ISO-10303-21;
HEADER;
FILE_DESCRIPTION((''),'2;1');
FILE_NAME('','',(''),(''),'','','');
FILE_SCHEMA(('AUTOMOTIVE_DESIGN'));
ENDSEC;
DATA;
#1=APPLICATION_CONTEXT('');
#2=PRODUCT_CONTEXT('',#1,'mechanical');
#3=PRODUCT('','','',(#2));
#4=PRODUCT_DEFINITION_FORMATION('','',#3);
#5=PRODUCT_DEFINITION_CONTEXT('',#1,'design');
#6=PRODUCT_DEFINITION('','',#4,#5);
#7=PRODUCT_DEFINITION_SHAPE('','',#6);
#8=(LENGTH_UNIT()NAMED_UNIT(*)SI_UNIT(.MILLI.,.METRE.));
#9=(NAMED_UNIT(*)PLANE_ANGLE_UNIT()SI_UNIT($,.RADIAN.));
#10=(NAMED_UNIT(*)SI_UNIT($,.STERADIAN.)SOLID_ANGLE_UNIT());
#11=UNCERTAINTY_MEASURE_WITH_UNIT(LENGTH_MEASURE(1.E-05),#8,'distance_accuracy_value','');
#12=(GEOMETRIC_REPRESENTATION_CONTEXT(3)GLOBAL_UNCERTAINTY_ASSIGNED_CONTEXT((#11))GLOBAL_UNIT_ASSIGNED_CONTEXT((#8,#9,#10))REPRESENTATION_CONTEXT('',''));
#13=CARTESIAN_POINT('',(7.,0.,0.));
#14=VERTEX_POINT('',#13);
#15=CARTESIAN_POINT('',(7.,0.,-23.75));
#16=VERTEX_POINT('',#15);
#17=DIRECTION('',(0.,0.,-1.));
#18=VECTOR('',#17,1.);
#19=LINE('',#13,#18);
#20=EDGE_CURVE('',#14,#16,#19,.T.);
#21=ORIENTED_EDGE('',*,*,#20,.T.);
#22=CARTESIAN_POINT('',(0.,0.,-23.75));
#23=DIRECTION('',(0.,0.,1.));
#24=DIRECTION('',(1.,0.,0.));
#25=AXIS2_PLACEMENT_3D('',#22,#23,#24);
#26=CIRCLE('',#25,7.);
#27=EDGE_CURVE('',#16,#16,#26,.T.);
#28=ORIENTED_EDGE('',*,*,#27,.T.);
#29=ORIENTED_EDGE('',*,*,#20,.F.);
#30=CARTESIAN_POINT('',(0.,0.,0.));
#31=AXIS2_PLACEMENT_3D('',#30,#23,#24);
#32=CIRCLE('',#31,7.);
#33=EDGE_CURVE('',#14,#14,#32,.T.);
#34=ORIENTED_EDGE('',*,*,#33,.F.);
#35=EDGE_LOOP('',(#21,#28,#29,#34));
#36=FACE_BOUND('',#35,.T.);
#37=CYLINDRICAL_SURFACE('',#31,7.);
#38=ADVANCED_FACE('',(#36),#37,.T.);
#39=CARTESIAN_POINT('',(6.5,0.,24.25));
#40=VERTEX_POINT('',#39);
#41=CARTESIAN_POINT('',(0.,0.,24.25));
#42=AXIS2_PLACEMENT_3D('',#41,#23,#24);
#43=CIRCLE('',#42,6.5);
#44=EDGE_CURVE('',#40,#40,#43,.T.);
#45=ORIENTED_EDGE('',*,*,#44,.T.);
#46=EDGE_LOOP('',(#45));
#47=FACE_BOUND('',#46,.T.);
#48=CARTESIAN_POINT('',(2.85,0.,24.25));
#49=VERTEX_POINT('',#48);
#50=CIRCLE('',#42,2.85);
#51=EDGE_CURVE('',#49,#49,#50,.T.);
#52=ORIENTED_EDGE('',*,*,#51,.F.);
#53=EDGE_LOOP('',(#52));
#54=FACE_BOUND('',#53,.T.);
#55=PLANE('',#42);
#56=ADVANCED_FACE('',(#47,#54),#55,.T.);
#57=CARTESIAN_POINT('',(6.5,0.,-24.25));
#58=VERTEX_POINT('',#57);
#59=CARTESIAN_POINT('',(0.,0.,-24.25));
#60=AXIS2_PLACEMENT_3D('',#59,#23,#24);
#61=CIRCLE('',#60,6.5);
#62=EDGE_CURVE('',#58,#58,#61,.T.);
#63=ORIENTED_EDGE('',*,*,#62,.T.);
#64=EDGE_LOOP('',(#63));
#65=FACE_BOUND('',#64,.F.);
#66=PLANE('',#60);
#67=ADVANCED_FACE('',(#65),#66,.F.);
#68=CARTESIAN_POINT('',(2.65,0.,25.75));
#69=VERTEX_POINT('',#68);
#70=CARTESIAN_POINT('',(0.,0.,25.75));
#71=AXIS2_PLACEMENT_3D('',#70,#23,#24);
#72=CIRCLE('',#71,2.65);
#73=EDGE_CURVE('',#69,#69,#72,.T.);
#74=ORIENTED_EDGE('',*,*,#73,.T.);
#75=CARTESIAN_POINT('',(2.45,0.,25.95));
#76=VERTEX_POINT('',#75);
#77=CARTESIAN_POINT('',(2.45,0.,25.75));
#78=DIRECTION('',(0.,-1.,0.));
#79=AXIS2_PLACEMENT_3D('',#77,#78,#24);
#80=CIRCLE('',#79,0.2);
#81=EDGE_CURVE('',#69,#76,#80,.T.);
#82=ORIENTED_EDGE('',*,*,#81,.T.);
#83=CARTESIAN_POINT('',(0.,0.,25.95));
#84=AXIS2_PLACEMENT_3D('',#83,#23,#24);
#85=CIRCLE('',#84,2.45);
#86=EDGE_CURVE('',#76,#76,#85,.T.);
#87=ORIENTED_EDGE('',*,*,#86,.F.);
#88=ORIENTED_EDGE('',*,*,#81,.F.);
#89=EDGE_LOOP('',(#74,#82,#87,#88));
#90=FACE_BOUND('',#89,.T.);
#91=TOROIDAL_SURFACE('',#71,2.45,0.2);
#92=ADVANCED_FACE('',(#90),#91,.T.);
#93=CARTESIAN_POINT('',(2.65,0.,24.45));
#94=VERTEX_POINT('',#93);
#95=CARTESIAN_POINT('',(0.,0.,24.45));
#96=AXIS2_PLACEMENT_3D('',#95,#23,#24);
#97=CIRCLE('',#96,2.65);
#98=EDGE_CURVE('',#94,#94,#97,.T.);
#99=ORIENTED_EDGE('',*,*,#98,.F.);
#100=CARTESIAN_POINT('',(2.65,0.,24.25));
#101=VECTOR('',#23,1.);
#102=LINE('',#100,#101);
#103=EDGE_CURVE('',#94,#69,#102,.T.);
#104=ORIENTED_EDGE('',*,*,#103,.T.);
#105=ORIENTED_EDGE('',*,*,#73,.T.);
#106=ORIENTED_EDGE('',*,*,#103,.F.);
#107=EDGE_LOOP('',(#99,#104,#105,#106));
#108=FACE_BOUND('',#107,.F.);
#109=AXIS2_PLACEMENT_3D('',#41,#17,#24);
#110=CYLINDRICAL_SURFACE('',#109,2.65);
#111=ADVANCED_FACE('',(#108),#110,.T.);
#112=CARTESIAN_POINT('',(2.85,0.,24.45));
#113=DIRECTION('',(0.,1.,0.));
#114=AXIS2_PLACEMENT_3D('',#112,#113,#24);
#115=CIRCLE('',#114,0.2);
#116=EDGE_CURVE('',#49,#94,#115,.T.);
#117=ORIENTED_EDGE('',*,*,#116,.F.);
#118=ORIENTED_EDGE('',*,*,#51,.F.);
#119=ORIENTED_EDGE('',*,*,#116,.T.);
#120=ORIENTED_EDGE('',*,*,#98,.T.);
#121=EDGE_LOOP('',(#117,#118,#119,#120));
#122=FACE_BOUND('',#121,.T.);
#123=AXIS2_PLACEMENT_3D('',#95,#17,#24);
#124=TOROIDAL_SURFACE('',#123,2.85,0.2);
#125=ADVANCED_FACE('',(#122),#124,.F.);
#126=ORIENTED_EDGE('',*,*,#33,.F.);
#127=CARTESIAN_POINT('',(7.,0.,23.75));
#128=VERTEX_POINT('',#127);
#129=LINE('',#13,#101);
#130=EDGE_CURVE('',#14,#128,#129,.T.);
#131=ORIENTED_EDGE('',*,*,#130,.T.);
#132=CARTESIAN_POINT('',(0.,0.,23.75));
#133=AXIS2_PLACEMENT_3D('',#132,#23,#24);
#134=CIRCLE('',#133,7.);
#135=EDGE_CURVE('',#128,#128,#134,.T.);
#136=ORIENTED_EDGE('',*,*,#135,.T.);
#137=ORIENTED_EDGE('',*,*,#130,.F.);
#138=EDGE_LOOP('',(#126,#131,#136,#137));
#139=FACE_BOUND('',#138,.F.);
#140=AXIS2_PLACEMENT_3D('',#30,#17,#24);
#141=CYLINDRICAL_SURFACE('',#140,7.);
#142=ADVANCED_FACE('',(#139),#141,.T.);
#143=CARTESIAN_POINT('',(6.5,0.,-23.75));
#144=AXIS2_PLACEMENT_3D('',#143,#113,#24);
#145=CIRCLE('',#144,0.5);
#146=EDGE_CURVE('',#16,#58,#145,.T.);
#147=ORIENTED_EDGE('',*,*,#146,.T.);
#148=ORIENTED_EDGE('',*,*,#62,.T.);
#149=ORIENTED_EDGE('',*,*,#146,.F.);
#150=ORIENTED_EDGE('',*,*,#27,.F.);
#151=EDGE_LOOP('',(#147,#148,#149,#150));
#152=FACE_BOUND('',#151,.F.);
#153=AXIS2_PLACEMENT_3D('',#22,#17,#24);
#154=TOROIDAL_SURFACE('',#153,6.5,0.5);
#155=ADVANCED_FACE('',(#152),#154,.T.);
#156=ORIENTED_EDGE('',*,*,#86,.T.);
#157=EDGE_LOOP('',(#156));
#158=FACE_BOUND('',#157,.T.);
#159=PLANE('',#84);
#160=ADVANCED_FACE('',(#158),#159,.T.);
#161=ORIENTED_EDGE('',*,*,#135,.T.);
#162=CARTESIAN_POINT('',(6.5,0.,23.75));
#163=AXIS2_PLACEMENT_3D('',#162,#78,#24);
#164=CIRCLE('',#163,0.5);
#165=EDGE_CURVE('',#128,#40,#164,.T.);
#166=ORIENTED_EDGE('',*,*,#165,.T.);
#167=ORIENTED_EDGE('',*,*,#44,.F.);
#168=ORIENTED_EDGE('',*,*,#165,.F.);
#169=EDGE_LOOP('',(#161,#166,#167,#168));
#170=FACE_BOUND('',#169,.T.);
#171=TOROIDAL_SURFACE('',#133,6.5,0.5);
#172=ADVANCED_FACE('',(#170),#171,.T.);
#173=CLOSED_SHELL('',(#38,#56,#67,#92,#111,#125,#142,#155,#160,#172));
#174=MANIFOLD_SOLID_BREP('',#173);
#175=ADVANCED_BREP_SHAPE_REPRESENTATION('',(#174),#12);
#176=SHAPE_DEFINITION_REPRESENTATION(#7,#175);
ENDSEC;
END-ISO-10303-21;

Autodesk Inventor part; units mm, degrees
ref_plane "YZ Plane" through (0, 0, 0) normal (1, 0, 0) x (0, 1, 0)
ref_plane "XZ Plane" through (0, 0, 0) normal (0, 1, 0) x (-1, 0, 0)
ref_plane "XY Plane" through (0, 0, 0) normal (0, 0, 1) x (1, 0, 0)
sketch "スケッチ1" plane through (0, 0, 0) normal (0, 0, 1) x (1, 0, 0)
  circle A0 centre (0, 0) radius 7
  dimension "d0" = 14
extrude "押し出し1" add sketch "スケッチ1" along normal mid plane 48.5
sketch "スケッチ2" plane through (0, 0, 24.25) normal (0, 0, 1) x (1, 0, 0)
  circle A0 centre (0, 0) radius 2.65
  dimension "d3" = 5.3
extrude "押し出し2" add sketch "スケッチ2" along normal blind 1.7
fillet "フィレット1" radius 0.5 2 edges at (-7, 0, 24.25) (-7, 0, -24.25)
fillet "フィレット2" radius 0.2 2 edges at (-2.65, 0, 25.95) (-2.65, 0, 24.25)
properties part number "AA_Battery"
